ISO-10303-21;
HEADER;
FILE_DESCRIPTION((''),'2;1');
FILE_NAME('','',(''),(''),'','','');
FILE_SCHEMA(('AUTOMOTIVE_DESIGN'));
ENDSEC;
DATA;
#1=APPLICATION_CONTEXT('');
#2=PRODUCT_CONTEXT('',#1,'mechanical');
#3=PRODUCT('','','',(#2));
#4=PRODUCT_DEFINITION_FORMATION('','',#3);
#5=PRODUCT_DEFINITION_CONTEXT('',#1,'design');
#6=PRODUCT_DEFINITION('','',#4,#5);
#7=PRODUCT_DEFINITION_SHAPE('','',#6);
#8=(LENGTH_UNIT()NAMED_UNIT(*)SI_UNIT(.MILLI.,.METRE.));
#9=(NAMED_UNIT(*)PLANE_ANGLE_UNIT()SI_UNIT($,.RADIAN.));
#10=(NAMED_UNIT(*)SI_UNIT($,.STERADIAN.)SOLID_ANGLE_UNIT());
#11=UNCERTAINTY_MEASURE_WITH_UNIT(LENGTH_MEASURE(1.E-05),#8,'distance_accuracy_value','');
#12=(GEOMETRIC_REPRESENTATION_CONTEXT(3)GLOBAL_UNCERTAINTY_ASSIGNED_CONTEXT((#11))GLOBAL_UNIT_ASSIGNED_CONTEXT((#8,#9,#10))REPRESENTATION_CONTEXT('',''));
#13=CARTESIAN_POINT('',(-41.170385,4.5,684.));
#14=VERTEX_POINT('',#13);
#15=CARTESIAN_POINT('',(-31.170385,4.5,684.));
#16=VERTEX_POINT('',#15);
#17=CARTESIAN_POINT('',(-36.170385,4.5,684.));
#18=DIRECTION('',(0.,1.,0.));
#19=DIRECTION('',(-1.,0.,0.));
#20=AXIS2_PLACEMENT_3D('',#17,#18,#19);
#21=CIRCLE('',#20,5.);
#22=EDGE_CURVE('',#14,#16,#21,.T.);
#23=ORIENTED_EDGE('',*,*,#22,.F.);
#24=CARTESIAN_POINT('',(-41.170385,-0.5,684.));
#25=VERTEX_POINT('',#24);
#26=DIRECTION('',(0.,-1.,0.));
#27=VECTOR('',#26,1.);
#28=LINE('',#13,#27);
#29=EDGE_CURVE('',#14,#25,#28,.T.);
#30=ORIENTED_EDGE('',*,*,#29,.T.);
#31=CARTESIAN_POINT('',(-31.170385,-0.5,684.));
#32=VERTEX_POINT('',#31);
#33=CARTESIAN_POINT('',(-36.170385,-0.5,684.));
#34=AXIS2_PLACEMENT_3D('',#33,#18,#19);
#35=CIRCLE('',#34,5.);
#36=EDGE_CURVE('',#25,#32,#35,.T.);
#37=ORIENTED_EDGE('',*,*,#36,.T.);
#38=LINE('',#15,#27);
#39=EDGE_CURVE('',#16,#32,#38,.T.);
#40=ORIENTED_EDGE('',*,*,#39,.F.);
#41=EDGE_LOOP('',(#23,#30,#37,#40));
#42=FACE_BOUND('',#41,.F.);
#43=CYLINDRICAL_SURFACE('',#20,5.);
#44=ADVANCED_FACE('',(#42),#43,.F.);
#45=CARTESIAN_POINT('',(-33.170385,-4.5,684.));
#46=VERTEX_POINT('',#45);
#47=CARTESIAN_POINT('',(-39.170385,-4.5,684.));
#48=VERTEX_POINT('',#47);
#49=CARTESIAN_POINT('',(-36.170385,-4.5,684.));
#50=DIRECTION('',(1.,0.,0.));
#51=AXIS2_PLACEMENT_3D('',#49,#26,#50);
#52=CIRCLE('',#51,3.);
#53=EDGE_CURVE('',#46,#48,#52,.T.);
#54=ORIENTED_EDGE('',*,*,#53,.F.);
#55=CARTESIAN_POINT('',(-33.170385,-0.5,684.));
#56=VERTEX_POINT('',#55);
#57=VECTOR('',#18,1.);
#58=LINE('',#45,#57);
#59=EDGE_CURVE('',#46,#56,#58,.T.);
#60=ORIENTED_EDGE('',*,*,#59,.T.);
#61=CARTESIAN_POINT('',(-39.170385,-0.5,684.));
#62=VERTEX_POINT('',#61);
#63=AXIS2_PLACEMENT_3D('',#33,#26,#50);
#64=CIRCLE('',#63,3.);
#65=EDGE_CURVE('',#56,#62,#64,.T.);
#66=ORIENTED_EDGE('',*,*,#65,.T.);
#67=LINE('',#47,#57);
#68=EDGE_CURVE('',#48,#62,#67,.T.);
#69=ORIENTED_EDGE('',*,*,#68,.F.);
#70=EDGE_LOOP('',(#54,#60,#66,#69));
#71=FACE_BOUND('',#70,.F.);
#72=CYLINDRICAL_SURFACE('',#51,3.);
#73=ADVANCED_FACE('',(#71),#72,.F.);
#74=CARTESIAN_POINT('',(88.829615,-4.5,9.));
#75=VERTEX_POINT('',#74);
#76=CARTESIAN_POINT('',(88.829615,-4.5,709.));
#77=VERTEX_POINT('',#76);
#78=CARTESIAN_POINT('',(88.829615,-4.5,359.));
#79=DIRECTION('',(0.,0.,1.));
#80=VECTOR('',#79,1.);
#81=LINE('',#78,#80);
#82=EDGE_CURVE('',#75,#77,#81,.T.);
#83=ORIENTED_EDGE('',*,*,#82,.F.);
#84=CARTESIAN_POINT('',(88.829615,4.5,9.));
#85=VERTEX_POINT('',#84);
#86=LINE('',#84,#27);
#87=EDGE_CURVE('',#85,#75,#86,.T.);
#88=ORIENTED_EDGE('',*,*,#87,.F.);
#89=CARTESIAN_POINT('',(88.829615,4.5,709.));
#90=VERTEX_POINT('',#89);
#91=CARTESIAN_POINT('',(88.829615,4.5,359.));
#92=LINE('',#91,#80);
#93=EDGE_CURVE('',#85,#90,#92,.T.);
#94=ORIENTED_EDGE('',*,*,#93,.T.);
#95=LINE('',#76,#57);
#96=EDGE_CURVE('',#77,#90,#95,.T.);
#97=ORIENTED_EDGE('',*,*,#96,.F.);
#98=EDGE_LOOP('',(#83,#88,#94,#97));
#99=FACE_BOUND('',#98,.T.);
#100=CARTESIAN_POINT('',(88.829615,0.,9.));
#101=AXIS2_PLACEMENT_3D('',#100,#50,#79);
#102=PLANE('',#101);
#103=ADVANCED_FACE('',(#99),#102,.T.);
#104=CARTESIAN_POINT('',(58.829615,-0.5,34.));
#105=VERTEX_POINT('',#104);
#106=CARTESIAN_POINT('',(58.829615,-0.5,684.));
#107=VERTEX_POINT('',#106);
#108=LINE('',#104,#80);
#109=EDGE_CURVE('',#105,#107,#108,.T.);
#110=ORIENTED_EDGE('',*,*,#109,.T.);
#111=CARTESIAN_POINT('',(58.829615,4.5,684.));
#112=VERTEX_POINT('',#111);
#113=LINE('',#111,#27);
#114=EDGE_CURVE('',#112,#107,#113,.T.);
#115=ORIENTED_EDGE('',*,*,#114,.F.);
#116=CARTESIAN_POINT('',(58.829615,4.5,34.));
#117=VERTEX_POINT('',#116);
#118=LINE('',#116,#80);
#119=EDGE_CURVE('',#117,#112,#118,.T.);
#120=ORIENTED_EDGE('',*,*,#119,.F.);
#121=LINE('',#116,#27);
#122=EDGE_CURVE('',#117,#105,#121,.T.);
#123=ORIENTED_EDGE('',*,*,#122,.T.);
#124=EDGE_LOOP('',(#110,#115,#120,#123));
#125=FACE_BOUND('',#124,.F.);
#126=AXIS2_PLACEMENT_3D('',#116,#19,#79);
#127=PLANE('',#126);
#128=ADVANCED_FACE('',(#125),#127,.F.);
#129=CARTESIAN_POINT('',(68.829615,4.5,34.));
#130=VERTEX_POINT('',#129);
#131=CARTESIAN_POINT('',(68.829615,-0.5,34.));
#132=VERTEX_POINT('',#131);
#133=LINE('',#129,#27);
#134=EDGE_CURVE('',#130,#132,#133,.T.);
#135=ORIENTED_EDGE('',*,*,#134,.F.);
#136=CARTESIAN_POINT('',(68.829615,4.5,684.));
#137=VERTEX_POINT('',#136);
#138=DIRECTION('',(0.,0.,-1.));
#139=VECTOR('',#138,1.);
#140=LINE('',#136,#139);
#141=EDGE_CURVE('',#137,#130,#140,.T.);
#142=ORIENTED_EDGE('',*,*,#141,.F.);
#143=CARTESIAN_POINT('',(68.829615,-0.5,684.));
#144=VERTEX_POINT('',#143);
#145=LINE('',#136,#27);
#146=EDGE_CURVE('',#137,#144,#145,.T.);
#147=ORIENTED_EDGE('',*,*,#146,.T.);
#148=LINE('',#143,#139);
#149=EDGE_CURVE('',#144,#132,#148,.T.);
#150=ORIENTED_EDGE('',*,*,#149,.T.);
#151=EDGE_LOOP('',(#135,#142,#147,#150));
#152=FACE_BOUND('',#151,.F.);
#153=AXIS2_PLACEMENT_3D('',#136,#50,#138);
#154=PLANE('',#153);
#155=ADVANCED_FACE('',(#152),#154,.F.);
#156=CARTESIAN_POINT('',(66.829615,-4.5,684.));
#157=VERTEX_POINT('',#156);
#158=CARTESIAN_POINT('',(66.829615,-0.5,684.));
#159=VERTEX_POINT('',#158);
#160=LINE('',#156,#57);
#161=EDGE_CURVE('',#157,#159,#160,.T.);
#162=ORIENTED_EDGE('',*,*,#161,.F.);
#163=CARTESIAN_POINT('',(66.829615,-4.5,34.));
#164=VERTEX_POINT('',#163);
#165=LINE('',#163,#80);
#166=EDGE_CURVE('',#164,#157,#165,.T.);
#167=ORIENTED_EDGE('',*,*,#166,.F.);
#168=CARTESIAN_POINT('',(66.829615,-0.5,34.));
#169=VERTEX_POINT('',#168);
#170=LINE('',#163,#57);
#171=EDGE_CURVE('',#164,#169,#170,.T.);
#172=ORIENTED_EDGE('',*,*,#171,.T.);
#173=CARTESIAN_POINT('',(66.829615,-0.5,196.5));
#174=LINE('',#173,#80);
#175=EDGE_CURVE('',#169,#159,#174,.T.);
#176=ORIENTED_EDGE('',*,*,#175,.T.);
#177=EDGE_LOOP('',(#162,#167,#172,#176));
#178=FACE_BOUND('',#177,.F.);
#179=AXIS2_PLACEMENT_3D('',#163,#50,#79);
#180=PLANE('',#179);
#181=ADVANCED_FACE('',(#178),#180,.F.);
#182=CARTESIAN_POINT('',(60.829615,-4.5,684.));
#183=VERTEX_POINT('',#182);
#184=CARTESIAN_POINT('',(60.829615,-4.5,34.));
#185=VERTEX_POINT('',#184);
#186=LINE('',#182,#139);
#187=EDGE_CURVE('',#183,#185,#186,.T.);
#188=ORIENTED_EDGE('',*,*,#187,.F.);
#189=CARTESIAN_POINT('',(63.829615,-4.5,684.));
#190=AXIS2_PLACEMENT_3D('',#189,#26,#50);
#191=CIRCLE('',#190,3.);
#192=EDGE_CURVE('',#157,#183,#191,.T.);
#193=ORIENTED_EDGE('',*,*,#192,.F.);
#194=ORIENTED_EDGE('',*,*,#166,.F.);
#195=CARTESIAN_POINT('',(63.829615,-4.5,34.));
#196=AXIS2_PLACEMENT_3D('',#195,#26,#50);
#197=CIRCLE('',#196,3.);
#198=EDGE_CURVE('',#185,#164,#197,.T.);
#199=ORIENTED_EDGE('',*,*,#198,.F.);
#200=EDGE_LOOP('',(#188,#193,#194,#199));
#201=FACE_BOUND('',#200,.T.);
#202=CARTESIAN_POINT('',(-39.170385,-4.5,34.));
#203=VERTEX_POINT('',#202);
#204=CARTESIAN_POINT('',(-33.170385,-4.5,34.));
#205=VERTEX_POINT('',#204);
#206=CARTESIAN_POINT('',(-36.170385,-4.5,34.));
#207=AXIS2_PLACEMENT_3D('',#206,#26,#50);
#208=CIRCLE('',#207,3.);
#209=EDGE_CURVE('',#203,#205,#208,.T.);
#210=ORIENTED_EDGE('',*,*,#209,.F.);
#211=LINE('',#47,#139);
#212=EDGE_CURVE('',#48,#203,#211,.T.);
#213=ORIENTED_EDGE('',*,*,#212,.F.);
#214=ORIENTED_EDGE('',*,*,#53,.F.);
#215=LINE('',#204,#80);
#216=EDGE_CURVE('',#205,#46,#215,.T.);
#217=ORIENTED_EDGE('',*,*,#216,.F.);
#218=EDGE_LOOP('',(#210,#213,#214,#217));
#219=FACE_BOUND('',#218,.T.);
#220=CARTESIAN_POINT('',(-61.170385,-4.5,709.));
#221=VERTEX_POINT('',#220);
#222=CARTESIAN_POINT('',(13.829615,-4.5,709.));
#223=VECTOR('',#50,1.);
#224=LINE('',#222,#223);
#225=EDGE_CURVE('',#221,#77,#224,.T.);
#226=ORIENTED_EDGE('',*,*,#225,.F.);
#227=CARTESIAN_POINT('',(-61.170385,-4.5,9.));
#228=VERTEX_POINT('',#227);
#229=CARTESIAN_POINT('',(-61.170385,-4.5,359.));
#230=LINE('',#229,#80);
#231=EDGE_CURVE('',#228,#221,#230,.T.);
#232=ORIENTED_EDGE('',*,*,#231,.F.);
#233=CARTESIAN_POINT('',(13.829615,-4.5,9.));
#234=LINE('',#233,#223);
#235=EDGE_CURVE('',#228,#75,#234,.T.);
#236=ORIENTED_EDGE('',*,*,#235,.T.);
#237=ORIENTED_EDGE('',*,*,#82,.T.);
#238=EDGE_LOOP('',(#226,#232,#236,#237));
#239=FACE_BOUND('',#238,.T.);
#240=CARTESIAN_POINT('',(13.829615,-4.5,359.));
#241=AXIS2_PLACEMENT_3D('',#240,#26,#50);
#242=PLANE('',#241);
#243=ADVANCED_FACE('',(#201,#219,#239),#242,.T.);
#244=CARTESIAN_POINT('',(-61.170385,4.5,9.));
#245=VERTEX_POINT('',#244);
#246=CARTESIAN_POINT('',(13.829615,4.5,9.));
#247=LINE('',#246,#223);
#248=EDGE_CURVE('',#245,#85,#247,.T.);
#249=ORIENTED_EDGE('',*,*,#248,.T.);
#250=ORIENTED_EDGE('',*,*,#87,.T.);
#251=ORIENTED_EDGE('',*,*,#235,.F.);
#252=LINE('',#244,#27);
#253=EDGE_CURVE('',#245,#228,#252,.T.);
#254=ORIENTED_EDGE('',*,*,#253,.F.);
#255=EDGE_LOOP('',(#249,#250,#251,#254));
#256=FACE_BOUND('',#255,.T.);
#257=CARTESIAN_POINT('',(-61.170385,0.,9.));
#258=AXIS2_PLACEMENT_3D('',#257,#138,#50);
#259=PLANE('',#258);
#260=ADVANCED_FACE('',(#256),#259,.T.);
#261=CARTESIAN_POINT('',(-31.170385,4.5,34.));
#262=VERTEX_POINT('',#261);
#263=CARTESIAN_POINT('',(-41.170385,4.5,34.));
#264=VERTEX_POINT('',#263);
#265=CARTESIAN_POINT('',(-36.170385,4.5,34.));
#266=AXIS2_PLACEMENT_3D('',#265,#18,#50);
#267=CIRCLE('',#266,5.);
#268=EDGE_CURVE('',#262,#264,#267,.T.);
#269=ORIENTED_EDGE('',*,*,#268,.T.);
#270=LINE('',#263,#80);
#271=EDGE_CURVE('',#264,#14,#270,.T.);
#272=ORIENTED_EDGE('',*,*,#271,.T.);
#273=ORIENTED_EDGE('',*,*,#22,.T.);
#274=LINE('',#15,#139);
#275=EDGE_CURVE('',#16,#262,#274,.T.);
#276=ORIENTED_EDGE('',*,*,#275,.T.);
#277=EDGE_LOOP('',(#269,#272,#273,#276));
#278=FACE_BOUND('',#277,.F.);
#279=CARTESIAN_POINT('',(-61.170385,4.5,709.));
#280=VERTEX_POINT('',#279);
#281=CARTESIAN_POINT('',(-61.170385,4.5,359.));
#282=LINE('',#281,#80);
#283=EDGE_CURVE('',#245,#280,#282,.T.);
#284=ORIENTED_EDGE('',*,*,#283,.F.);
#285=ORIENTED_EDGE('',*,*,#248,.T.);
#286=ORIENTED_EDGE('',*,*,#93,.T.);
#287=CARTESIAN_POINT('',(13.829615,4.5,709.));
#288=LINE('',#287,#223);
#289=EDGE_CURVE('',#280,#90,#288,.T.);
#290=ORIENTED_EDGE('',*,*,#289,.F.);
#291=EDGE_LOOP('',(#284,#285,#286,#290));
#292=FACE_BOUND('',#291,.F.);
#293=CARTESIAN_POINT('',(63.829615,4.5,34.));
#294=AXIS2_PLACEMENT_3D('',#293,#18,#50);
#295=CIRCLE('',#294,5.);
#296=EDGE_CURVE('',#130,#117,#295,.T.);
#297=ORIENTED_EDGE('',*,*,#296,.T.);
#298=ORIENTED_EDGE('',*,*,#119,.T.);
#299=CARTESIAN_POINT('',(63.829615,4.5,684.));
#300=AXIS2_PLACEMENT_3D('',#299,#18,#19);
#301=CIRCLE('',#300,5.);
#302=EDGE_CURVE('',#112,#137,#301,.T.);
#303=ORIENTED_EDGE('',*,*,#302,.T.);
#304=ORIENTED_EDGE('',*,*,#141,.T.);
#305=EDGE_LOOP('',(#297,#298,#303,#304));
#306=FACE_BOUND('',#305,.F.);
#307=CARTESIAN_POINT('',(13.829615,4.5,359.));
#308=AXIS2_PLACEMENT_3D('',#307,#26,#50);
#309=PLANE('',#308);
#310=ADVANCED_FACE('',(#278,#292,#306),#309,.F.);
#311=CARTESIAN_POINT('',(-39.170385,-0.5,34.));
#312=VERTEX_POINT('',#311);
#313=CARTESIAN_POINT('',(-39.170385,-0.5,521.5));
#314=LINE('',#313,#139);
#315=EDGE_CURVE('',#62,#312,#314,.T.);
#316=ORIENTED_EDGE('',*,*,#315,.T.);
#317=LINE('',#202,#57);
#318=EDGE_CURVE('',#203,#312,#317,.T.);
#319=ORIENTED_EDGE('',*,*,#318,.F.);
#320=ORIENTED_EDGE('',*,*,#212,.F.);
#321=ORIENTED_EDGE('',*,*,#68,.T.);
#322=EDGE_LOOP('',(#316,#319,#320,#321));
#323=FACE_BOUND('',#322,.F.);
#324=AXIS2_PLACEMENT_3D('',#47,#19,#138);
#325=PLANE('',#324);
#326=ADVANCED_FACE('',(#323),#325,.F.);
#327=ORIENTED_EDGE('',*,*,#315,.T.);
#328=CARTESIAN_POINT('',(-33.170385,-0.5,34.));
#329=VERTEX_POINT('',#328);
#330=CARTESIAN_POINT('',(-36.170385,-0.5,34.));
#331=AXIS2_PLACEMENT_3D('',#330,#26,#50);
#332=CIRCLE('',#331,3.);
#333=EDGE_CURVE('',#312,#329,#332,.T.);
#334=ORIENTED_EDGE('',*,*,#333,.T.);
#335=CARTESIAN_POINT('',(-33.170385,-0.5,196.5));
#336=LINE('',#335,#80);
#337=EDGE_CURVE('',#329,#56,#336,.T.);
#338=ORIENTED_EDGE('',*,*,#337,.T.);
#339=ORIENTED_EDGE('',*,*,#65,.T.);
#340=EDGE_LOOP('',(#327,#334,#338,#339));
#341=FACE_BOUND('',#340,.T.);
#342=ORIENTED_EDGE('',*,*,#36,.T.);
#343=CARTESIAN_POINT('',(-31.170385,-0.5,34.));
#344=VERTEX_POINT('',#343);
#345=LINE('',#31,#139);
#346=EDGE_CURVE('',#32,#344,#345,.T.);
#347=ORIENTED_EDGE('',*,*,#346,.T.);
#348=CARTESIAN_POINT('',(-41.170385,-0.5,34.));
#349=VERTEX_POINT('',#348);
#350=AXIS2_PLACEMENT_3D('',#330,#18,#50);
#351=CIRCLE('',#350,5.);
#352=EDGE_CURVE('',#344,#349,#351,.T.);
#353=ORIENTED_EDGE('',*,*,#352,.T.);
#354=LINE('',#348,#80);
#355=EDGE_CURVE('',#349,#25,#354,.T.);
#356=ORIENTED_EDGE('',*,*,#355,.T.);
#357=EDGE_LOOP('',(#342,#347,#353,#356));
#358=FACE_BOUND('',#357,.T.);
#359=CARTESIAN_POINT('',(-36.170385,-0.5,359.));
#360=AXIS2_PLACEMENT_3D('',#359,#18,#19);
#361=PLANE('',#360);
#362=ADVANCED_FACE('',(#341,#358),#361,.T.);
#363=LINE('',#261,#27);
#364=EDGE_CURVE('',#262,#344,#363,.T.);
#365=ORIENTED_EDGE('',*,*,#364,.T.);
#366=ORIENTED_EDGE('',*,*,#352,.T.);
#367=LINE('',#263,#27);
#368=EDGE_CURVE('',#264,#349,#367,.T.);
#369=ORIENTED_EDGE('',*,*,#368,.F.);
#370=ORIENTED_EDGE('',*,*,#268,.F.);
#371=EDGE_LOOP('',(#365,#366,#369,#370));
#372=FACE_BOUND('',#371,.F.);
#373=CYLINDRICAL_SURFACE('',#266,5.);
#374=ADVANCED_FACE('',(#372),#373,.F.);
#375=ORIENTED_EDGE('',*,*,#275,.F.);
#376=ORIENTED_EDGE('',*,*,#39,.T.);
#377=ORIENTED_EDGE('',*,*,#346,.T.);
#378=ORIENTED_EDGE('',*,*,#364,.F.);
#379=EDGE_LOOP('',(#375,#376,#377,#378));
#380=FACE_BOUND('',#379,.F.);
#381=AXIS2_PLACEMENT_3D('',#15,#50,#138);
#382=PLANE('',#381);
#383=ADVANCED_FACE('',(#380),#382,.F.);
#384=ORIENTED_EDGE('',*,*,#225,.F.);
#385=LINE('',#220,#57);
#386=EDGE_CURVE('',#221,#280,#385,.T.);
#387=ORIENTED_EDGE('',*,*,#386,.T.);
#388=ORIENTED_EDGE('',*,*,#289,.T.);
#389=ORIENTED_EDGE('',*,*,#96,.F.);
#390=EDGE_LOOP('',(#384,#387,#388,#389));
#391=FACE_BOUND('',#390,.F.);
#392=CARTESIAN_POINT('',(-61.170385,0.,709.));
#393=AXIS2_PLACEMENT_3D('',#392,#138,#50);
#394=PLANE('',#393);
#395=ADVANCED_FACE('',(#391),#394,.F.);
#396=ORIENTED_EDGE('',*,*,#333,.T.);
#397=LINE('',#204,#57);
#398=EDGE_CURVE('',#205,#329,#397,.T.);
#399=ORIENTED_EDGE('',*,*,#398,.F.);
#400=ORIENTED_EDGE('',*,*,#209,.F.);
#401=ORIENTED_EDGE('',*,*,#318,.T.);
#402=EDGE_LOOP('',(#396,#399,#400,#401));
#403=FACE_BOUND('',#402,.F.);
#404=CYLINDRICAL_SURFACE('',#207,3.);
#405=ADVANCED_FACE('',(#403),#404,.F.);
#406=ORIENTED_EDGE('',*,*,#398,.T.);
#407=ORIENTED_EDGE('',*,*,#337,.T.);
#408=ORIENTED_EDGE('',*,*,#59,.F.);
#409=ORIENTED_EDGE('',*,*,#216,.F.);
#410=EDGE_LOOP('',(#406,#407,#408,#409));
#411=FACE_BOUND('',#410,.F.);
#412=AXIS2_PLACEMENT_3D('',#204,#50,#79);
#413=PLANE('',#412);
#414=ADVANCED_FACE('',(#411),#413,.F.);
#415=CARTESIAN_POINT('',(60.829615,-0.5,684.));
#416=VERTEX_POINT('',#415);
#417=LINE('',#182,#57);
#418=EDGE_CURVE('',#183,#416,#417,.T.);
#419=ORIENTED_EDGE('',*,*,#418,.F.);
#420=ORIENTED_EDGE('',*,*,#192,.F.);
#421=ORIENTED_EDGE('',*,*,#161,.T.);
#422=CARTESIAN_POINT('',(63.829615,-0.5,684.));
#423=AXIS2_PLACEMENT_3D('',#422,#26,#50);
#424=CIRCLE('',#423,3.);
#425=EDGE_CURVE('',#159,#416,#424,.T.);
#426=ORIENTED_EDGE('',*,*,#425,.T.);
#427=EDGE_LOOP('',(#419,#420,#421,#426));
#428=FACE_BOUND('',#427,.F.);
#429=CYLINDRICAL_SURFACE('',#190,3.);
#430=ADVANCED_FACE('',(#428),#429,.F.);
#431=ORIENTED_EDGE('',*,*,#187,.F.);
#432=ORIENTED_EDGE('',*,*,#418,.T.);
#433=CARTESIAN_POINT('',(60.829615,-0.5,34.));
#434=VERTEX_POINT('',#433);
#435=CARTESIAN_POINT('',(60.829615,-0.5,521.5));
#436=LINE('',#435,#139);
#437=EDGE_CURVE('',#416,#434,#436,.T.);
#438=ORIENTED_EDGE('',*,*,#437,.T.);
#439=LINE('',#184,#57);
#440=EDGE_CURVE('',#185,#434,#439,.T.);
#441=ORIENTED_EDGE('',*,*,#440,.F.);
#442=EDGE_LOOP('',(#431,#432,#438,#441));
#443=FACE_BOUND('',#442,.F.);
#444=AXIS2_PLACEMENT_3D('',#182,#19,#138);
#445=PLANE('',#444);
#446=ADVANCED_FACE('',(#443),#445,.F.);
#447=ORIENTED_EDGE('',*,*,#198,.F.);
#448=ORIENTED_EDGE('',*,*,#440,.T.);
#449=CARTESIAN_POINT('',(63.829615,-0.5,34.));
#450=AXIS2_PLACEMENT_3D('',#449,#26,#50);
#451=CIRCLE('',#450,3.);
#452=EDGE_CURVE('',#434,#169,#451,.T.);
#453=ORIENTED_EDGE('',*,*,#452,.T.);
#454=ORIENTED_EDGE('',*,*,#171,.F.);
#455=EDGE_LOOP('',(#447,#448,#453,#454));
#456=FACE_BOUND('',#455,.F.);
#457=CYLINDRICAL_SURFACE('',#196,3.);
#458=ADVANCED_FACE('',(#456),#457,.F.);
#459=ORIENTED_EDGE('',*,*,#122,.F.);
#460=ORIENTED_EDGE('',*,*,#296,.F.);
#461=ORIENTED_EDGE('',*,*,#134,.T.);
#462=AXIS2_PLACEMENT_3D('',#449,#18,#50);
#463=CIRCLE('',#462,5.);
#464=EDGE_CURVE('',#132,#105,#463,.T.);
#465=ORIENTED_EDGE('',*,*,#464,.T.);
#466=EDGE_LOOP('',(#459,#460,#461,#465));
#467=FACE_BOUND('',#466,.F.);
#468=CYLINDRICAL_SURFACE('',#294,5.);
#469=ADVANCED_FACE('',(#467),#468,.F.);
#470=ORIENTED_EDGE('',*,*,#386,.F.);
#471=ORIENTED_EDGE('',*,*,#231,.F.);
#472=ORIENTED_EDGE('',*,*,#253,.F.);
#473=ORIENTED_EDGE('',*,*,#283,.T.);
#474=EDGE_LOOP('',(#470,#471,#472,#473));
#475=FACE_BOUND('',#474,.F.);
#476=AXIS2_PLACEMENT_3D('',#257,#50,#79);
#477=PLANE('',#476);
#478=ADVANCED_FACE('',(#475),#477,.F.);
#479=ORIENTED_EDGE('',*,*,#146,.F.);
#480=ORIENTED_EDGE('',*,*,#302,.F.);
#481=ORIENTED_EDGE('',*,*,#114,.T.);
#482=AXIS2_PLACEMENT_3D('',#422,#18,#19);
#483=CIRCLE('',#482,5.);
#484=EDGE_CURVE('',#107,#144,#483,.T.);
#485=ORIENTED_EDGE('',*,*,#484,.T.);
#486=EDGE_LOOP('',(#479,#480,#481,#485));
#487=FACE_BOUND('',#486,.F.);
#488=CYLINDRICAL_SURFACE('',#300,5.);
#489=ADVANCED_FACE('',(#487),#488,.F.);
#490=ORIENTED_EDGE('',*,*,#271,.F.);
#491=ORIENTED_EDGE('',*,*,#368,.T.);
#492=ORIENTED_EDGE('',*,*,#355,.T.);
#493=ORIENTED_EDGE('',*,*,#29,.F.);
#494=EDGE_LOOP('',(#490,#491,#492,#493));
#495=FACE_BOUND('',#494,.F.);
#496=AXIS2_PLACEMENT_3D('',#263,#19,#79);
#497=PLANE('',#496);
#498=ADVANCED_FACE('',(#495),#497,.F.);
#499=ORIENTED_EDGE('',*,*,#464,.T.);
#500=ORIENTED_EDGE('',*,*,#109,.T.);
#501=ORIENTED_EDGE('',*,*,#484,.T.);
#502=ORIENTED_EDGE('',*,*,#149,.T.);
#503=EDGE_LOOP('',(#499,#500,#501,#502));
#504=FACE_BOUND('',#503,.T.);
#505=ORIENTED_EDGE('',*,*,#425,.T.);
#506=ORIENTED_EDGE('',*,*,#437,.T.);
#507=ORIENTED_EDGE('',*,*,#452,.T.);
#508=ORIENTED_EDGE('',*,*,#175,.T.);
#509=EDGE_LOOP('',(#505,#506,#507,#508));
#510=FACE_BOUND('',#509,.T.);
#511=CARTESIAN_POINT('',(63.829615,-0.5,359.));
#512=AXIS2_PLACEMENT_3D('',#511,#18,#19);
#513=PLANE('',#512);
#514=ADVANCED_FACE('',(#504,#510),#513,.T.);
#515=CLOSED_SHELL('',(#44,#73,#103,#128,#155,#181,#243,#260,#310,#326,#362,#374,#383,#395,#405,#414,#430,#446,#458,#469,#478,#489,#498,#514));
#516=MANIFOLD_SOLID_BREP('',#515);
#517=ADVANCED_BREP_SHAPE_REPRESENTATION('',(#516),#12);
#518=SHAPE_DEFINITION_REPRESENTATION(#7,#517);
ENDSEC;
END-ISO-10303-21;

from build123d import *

# Parameters (mm, degrees)
F0_W     = 150
F0_H     = 700
F1_DEPTH = 4.5
F3_DEPTH = 9.001
F5_DEPTH = 5


with BuildPart() as f1:
    # F0 (on Front) → F1 (new body, symmetric)
    with BuildSketch(Plane.XZ):
        with Locations((13.8296149671, 359)):
            Rectangle(F0_W, F0_H)
    extrude(amount=F1_DEPTH, both=True)

    # F2 (on face) → F3 (cut, through all)
    with BuildSketch(Plane.XZ.offset(4.5)):
        with BuildLine():
            ThreePointArc((-39.1703850329, 684), (-36.1703850329, 681), (-33.1703850329, 684))
            ThreePointArc((-33.1703850329, 684), (-36.1703850329, 687), (-39.1703850329, 684))
        make_face()
        with BuildLine():
            Line((-33.1703850329, 34), (-33.1703850329, 684))
            ThreePointArc((-33.1703850329, 684), (-36.1703850329, 681), (-39.1703850329, 684))
            Line((-39.1703850329, 684), (-39.1703850329, 34))
            ThreePointArc((-39.1703850329, 34), (-36.1703850329, 37), (-33.1703850329, 34))
        make_face()
        with BuildLine():
            ThreePointArc((-39.1703850329, 34), (-36.1703850329, 31), (-33.1703850329, 34))
            ThreePointArc((-33.1703850329, 34), (-36.1703850329, 37), (-39.1703850329, 34))
        make_face()
        with BuildLine():
            ThreePointArc((60.8296149671, 684), (63.8296149671, 681), (66.8296149671, 684))
            ThreePointArc((66.8296149671, 684), (63.8296149671, 687), (60.8296149671, 684))
        make_face()
        with BuildLine():
            Line((66.8296149671, 34), (66.8296149671, 684))
            ThreePointArc((66.8296149671, 684), (63.8296149671, 681), (60.8296149671, 684))
            Line((60.8296149671, 684), (60.8296149671, 34))
            ThreePointArc((60.8296149671, 34), (63.8296149671, 37), (66.8296149671, 34))
        make_face()
        with BuildLine():
            ThreePointArc((60.8296149671, 34), (63.8296149671, 31), (66.8296149671, 34))
            ThreePointArc((66.8296149671, 34), (63.8296149671, 37), (60.8296149671, 34))
        make_face()
    extrude(amount=-F3_DEPTH, mode=Mode.SUBTRACT)

    # F4 (on face) → F5 (cut)
    with BuildSketch(Plane(origin=(0, 4.5, 0), x_dir=(-1, 0, 0), z_dir=(0, 1, 0))):
        with BuildLine():
            Line((31.1703850329, 684), (31.1703850329, 34))
            ThreePointArc((31.1703850329, 34), (36.1703850329, 29), (41.1703850329, 34))
            Line((41.1703850329, 34), (41.1703850329, 684))
            ThreePointArc((41.1703850329, 684), (36.1703850329, 689), (31.1703850329, 684))
        make_face()
        with BuildLine():
            ThreePointArc((-68.8296149671, 34), (-63.8296149671, 29), (-58.8296149671, 34))
            Line((-58.8296149671, 34), (-58.8296149671, 684))
            ThreePointArc((-58.8296149671, 684), (-63.8296149671, 689), (-68.8296149671, 684))
            Line((-68.8296149671, 684), (-68.8296149671, 34))
        make_face()
    extrude(amount=-F5_DEPTH, mode=Mode.SUBTRACT)


solid = f1.part
